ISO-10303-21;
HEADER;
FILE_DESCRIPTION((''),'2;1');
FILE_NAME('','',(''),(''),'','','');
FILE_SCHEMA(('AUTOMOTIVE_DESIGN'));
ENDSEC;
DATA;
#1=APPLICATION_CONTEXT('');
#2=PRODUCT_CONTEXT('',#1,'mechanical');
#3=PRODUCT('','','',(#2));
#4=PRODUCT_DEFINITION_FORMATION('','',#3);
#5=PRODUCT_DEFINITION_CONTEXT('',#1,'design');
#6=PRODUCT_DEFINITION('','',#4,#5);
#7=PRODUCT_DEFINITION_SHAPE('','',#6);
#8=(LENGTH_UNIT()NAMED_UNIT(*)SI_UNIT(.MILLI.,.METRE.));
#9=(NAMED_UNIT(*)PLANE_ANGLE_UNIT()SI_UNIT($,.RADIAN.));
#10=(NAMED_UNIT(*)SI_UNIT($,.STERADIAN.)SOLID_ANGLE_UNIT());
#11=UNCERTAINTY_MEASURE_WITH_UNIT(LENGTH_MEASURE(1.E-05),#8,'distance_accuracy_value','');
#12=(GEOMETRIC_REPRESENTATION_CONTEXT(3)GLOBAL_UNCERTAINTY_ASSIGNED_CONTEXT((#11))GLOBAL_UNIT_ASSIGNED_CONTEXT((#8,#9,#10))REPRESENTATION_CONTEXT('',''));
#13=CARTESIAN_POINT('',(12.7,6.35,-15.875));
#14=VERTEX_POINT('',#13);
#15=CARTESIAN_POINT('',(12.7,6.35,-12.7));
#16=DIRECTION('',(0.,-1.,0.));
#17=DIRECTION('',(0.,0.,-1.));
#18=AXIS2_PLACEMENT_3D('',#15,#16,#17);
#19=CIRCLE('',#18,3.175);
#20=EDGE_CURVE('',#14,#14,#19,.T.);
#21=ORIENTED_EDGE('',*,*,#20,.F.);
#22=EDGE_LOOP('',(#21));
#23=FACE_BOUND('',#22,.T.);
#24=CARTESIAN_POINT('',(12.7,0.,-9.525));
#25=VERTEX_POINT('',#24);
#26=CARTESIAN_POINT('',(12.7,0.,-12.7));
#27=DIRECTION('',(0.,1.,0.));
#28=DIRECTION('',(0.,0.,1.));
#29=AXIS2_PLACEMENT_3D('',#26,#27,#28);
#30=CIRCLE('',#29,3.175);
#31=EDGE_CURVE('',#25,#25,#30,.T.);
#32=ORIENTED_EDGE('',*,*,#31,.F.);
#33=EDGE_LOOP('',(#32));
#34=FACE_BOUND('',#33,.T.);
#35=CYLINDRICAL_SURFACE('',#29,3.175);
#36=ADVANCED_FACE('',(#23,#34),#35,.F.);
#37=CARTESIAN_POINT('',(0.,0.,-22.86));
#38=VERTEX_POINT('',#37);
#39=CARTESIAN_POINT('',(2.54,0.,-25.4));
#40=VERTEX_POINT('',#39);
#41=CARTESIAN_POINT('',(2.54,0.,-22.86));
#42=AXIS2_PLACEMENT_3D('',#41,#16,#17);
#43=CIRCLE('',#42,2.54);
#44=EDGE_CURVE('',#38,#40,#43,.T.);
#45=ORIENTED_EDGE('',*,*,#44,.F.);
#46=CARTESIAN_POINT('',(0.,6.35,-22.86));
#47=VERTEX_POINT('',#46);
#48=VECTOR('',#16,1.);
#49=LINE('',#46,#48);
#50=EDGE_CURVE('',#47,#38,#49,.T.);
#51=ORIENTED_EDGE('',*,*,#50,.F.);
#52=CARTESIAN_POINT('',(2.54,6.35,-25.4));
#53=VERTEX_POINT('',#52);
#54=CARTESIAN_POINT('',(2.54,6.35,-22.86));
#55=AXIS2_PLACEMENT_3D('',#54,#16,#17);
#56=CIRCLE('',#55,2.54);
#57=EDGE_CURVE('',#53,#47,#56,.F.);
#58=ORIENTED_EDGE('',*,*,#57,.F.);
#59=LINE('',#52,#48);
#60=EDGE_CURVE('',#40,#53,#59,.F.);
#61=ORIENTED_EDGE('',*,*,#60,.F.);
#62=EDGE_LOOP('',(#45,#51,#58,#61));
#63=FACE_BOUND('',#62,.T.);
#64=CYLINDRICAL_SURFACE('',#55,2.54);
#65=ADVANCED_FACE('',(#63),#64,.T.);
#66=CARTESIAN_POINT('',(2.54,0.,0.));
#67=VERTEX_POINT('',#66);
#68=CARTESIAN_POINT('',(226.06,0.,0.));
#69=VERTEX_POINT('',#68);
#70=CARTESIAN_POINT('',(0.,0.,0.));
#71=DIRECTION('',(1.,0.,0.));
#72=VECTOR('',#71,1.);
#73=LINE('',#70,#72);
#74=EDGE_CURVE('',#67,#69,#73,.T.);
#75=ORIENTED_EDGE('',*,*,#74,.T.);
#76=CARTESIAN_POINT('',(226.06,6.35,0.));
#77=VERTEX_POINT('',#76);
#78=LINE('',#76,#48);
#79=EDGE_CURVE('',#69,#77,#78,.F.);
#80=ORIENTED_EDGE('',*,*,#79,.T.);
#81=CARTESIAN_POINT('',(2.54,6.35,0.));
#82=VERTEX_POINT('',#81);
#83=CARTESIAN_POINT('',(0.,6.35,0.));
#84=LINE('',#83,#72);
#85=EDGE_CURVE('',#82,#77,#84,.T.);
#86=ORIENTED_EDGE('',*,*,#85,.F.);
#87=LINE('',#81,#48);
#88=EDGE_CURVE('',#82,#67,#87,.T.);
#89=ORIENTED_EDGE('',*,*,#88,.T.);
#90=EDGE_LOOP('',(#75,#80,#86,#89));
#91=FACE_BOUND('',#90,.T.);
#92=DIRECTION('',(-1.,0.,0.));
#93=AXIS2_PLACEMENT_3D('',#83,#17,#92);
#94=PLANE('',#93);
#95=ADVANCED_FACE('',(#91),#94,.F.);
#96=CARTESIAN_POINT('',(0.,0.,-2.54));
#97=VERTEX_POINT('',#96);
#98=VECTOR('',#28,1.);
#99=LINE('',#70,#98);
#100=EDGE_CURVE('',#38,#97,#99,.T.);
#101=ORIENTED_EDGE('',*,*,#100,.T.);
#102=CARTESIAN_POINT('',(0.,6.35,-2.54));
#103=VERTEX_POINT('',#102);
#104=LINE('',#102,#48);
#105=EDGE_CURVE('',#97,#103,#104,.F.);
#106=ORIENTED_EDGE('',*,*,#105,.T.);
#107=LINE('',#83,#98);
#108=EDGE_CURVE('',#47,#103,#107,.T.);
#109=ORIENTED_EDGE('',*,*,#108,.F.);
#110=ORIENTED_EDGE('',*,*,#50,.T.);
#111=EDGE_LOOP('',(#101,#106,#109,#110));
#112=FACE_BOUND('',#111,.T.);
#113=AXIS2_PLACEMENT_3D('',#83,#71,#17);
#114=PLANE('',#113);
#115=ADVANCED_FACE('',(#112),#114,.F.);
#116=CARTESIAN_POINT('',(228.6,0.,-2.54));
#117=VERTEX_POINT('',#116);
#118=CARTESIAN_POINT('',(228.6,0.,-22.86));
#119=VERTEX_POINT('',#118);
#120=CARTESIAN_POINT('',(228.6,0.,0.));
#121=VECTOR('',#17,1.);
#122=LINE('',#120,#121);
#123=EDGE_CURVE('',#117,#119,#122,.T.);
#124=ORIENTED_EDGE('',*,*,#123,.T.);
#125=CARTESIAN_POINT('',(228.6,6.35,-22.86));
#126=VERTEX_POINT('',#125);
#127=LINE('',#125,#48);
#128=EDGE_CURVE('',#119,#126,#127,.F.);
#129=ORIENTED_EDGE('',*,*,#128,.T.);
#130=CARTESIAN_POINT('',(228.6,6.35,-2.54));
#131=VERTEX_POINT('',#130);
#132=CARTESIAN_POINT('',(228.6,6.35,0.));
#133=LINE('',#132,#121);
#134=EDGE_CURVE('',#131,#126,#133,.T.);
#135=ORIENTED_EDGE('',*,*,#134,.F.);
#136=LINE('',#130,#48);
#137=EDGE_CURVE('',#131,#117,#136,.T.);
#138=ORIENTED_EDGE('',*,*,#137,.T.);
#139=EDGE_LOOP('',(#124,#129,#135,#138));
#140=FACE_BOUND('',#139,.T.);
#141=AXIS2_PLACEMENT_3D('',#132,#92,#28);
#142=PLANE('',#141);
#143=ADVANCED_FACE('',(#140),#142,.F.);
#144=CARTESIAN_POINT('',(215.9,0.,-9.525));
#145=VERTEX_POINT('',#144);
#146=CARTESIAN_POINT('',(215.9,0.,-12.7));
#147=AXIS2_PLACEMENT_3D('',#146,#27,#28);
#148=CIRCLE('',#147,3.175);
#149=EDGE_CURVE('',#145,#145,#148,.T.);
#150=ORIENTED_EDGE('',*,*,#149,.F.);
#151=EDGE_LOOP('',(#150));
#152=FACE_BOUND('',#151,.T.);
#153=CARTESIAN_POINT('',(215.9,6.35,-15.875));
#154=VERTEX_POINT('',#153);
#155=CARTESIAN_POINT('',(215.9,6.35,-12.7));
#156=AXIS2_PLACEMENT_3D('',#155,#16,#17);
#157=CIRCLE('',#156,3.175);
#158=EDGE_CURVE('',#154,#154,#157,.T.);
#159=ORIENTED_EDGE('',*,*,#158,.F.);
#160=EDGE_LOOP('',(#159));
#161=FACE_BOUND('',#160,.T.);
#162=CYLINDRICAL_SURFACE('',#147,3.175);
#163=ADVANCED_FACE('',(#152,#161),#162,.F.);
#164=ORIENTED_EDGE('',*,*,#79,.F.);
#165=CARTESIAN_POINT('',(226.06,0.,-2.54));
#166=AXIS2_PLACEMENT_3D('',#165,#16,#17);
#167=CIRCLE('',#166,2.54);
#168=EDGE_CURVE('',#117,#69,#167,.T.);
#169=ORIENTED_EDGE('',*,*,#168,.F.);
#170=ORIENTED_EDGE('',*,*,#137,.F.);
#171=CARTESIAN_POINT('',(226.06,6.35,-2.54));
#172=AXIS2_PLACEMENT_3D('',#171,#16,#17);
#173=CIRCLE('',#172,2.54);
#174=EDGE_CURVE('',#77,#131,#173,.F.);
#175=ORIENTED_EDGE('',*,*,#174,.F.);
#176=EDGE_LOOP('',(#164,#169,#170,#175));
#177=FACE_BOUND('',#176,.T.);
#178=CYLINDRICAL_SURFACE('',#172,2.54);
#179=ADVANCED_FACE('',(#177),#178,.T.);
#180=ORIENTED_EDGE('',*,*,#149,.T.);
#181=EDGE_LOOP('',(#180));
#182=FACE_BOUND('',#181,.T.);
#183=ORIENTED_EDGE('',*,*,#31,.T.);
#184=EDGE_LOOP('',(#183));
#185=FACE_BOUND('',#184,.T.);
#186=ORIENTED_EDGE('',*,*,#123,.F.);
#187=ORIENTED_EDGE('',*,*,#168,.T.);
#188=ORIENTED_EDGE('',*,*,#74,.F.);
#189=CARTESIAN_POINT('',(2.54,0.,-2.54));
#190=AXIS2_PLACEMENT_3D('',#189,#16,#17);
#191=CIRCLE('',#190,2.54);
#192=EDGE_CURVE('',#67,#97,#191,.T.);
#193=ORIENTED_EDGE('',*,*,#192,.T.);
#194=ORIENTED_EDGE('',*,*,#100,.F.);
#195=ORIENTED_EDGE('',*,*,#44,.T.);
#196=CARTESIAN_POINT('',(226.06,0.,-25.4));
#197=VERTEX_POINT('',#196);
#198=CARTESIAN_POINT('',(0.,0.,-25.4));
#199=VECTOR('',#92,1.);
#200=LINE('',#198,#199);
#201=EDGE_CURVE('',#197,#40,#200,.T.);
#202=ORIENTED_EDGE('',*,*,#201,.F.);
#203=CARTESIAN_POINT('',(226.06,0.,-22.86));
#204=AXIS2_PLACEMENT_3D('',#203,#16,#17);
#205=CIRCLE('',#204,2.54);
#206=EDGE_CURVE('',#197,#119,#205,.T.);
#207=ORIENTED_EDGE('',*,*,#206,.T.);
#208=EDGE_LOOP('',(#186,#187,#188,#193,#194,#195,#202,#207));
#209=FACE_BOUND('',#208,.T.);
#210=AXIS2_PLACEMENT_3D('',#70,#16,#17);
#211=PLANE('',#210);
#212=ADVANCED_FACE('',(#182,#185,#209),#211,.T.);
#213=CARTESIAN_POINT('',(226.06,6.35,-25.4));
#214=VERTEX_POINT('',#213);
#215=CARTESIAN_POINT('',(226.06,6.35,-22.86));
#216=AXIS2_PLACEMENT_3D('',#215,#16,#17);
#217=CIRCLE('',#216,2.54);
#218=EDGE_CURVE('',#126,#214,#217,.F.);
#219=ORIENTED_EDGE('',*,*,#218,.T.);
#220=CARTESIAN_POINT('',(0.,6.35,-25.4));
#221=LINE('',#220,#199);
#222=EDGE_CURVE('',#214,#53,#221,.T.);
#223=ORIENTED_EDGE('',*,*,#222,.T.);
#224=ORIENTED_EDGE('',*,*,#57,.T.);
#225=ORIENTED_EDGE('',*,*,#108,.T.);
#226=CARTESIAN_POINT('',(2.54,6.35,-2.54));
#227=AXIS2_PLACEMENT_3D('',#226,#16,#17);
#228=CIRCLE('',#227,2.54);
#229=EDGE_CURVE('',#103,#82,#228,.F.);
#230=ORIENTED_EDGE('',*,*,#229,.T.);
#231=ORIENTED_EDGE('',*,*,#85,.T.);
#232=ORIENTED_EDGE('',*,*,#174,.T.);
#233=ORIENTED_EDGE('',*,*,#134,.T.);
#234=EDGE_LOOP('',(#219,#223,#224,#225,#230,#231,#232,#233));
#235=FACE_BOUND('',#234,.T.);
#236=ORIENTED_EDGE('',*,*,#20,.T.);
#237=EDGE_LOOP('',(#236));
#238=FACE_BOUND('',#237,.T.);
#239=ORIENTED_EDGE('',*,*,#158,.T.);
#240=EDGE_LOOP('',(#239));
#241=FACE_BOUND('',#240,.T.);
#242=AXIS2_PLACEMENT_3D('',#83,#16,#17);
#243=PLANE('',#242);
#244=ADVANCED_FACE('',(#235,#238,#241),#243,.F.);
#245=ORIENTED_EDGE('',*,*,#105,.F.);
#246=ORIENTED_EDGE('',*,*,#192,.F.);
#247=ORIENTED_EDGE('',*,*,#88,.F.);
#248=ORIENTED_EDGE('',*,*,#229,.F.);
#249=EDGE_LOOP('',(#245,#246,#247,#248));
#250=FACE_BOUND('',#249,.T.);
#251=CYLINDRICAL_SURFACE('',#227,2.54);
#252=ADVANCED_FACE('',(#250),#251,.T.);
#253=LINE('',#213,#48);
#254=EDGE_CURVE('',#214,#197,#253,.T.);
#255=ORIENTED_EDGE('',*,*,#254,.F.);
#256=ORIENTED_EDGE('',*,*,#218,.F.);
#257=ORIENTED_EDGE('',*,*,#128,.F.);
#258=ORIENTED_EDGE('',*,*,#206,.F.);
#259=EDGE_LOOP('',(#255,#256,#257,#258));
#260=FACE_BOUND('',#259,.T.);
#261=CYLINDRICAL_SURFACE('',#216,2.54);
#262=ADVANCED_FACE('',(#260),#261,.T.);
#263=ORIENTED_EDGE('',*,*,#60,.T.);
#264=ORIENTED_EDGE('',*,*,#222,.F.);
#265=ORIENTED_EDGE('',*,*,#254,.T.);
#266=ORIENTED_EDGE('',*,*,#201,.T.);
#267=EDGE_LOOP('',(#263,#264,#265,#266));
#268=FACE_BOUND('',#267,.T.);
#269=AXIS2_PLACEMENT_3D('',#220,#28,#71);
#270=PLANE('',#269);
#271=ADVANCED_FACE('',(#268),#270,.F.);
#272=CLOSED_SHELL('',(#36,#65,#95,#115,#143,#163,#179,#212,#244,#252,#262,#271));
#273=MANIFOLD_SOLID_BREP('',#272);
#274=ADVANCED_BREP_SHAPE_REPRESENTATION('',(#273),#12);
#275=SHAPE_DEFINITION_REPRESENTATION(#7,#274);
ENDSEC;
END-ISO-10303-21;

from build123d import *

# Parameters (mm, degrees)
SKETCH1_W               = 228.6
SKETCH1_H               = 25.4
BOSS_EXTRUDE1_DEPTH     = 6.35
CUT_EXTRUDE1_DEPTH      = 231.094420836
CUT_EXTRUDE1_DEPTH_BACK = 231.094420836
SKETCH2_R               = 3.175
FILLET1_R               = 2.54


with BuildPart() as part:
    # Sketch1 → Boss-Extrude1 (new body)
    with BuildSketch(Plane(origin=(0, 0, 0), x_dir=(1, 0, 0), z_dir=(0, 1, 0))):
        with Locations((114.3, 12.7)):
            Rectangle(SKETCH1_W, SKETCH1_H)
    extrude(amount=BOSS_EXTRUDE1_DEPTH)

    # Sketch2 → Cut-Extrude1 (cut, two sides: drawn at the far end of the back side and taken through both)
    with BuildSketch(Plane(origin=(0, 6.35, 0), x_dir=(1, 0, 0), z_dir=(0, 1, 0)).offset(-CUT_EXTRUDE1_DEPTH_BACK)):
        with Locations(Location((12.7, 12.7, 0), (0, 0, 270))):
            Circle(SKETCH2_R)
        with Locations(Location((215.9, 12.7, 0), (0, 0, 270))):
            Circle(SKETCH2_R)
    extrude(amount=CUT_EXTRUDE1_DEPTH + CUT_EXTRUDE1_DEPTH_BACK, mode=Mode.SUBTRACT)

    # Fillet1
    fillet1_edges = [part.edges().sort_by_distance(p)[0] for p in [
        (0, 3.175, -25.4),
        (228.6, 3.175, -25.4),
        (228.6, 3.175, 0),
        (0, 3.175, 0),
    ]]
    fillet(fillet1_edges, radius=FILLET1_R)


solid = part.part
